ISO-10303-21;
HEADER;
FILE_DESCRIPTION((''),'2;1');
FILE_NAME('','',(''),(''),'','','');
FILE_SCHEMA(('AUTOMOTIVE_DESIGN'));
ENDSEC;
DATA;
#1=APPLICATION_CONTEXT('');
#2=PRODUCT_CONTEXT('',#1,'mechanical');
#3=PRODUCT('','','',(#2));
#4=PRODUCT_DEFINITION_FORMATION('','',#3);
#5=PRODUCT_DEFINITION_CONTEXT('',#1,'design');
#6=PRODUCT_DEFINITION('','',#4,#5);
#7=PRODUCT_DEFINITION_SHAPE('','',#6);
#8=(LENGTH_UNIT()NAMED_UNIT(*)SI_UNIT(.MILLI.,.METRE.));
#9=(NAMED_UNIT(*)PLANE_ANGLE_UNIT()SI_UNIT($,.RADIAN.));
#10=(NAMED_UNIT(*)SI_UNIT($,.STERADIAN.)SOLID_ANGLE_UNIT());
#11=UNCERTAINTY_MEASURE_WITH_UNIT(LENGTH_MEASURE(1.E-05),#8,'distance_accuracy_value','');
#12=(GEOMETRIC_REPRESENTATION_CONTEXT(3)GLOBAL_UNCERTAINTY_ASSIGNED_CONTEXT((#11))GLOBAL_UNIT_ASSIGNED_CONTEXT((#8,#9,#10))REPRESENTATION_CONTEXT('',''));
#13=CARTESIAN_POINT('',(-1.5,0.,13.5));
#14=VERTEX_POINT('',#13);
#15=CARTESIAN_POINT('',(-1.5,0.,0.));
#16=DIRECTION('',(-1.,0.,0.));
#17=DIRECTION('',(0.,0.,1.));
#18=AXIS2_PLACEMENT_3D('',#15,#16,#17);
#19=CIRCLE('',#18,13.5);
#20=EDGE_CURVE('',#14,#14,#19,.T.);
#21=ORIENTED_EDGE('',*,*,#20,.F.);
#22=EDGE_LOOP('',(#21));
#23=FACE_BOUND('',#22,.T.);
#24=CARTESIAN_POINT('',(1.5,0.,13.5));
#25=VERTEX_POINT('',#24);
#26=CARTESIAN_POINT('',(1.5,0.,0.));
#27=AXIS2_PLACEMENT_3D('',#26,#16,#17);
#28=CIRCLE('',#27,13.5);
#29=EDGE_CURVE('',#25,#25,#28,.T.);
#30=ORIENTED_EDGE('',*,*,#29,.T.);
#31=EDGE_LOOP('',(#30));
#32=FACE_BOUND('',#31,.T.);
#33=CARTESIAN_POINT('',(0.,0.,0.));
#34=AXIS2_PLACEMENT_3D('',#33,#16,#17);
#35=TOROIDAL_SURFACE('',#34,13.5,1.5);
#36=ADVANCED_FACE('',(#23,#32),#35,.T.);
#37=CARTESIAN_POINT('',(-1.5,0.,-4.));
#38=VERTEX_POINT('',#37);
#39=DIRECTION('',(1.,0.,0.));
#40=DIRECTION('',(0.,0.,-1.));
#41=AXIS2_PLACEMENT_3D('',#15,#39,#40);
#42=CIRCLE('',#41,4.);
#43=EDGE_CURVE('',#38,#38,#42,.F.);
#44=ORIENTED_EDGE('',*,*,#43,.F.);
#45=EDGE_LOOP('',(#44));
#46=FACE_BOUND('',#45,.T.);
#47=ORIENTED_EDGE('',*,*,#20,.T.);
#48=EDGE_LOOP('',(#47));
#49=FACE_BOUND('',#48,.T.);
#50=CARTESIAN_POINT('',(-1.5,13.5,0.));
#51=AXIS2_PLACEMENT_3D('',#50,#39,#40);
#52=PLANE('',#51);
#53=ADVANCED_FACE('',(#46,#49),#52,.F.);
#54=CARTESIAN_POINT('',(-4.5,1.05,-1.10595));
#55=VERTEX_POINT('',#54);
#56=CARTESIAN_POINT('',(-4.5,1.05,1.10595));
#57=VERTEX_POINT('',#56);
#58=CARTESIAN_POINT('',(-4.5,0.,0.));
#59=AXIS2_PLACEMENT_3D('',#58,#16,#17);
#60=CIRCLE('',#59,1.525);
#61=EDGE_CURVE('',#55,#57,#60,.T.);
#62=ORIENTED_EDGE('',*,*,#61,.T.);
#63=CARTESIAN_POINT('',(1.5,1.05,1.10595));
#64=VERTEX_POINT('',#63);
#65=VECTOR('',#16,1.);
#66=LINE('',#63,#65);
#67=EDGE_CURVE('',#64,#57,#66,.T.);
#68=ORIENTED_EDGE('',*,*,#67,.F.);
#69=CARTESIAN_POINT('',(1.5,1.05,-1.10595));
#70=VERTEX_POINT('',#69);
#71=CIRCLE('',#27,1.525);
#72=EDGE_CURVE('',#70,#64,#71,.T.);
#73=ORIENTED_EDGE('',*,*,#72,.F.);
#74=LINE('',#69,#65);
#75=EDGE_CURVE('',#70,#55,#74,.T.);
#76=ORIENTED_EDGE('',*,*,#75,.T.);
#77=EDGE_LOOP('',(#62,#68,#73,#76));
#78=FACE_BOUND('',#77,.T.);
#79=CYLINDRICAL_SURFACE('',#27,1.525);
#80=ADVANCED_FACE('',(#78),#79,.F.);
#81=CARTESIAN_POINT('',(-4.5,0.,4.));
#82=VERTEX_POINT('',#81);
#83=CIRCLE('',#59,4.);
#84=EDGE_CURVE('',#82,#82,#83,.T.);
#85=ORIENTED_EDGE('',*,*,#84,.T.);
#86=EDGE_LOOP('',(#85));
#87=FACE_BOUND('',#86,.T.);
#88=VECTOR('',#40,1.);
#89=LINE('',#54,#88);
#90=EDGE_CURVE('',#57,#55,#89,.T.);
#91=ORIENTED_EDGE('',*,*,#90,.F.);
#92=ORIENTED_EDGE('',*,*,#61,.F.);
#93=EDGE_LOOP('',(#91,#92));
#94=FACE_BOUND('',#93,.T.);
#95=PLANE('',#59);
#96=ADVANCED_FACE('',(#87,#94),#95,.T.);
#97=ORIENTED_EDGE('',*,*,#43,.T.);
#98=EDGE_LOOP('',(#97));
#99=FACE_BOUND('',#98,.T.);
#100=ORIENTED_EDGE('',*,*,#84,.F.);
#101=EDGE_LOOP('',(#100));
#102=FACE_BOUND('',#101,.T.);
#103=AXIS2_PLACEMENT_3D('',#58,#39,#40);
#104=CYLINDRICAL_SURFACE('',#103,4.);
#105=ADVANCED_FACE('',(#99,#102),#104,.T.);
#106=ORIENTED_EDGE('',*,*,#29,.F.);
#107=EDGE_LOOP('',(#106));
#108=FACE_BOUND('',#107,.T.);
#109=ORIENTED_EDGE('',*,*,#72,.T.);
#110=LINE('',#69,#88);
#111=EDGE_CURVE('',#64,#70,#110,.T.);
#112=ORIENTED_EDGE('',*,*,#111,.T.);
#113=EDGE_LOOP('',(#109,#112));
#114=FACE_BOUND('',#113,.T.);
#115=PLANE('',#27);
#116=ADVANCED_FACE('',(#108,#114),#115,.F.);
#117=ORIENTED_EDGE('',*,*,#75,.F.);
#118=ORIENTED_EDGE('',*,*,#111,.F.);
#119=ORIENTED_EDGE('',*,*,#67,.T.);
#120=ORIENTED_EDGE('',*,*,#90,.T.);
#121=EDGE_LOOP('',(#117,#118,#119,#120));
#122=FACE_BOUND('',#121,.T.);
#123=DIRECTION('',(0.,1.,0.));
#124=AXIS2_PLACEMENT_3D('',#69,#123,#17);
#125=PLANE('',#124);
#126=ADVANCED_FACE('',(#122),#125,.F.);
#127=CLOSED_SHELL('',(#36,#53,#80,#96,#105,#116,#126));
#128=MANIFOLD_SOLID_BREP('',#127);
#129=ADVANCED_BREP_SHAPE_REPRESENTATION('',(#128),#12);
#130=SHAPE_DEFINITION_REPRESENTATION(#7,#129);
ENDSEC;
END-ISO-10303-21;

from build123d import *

# Parameters (mm, degrees)
SKETCH_3_R          = 4
EXTRUDE_1_DEPTH     = 3
CUT_EXTRUDE_1_DEPTH = 23.045407821


with BuildPart() as part:
    # ｽｹｯﾁ2 → 回転1 (revolve)
    with BuildSketch(Plane.XY, mode=Mode.PRIVATE) as revolve_1_sk:
        with BuildLine():
            Line((-1.5, 13.5), (-1.5, 0))
            Line((-1.5, 0), (1.5, 0))
            Line((1.5, 0), (1.5, 13.5))
            ThreePointArc((1.5, 13.5), (0, 15), (-1.5, 13.5))
        make_face()
    revolve(revolve_1_sk.sketch.rotate(Axis((0, 0, 0), (1, 0, 0)), 90), axis=Axis((0, 0, 0), (1, 0, 0)))

    # ｽｹｯﾁ3 → ﾎﾞｽ - 押し出し1 (add)
    with BuildSketch(Plane.ZY.offset(1.5)):
        with Locations(Location((0, 0, 0), (0, 0, 180))):
            Circle(SKETCH_3_R)
    extrude(amount=EXTRUDE_1_DEPTH)

    # ｽｹｯﾁ4 → ｶｯﾄ - 押し出し1 (cut, through all)
    with BuildSketch(Plane.ZY.offset(4.5)):
        with BuildLine():
            Line((-1.105949818, 1.05), (1.105949818, 1.05))
            ThreePointArc((1.105949818, 1.05), (0, -1.525), (-1.105949818, 1.05))
        make_face()
    extrude(amount=-CUT_EXTRUDE_1_DEPTH, mode=Mode.SUBTRACT)


solid = part.part
